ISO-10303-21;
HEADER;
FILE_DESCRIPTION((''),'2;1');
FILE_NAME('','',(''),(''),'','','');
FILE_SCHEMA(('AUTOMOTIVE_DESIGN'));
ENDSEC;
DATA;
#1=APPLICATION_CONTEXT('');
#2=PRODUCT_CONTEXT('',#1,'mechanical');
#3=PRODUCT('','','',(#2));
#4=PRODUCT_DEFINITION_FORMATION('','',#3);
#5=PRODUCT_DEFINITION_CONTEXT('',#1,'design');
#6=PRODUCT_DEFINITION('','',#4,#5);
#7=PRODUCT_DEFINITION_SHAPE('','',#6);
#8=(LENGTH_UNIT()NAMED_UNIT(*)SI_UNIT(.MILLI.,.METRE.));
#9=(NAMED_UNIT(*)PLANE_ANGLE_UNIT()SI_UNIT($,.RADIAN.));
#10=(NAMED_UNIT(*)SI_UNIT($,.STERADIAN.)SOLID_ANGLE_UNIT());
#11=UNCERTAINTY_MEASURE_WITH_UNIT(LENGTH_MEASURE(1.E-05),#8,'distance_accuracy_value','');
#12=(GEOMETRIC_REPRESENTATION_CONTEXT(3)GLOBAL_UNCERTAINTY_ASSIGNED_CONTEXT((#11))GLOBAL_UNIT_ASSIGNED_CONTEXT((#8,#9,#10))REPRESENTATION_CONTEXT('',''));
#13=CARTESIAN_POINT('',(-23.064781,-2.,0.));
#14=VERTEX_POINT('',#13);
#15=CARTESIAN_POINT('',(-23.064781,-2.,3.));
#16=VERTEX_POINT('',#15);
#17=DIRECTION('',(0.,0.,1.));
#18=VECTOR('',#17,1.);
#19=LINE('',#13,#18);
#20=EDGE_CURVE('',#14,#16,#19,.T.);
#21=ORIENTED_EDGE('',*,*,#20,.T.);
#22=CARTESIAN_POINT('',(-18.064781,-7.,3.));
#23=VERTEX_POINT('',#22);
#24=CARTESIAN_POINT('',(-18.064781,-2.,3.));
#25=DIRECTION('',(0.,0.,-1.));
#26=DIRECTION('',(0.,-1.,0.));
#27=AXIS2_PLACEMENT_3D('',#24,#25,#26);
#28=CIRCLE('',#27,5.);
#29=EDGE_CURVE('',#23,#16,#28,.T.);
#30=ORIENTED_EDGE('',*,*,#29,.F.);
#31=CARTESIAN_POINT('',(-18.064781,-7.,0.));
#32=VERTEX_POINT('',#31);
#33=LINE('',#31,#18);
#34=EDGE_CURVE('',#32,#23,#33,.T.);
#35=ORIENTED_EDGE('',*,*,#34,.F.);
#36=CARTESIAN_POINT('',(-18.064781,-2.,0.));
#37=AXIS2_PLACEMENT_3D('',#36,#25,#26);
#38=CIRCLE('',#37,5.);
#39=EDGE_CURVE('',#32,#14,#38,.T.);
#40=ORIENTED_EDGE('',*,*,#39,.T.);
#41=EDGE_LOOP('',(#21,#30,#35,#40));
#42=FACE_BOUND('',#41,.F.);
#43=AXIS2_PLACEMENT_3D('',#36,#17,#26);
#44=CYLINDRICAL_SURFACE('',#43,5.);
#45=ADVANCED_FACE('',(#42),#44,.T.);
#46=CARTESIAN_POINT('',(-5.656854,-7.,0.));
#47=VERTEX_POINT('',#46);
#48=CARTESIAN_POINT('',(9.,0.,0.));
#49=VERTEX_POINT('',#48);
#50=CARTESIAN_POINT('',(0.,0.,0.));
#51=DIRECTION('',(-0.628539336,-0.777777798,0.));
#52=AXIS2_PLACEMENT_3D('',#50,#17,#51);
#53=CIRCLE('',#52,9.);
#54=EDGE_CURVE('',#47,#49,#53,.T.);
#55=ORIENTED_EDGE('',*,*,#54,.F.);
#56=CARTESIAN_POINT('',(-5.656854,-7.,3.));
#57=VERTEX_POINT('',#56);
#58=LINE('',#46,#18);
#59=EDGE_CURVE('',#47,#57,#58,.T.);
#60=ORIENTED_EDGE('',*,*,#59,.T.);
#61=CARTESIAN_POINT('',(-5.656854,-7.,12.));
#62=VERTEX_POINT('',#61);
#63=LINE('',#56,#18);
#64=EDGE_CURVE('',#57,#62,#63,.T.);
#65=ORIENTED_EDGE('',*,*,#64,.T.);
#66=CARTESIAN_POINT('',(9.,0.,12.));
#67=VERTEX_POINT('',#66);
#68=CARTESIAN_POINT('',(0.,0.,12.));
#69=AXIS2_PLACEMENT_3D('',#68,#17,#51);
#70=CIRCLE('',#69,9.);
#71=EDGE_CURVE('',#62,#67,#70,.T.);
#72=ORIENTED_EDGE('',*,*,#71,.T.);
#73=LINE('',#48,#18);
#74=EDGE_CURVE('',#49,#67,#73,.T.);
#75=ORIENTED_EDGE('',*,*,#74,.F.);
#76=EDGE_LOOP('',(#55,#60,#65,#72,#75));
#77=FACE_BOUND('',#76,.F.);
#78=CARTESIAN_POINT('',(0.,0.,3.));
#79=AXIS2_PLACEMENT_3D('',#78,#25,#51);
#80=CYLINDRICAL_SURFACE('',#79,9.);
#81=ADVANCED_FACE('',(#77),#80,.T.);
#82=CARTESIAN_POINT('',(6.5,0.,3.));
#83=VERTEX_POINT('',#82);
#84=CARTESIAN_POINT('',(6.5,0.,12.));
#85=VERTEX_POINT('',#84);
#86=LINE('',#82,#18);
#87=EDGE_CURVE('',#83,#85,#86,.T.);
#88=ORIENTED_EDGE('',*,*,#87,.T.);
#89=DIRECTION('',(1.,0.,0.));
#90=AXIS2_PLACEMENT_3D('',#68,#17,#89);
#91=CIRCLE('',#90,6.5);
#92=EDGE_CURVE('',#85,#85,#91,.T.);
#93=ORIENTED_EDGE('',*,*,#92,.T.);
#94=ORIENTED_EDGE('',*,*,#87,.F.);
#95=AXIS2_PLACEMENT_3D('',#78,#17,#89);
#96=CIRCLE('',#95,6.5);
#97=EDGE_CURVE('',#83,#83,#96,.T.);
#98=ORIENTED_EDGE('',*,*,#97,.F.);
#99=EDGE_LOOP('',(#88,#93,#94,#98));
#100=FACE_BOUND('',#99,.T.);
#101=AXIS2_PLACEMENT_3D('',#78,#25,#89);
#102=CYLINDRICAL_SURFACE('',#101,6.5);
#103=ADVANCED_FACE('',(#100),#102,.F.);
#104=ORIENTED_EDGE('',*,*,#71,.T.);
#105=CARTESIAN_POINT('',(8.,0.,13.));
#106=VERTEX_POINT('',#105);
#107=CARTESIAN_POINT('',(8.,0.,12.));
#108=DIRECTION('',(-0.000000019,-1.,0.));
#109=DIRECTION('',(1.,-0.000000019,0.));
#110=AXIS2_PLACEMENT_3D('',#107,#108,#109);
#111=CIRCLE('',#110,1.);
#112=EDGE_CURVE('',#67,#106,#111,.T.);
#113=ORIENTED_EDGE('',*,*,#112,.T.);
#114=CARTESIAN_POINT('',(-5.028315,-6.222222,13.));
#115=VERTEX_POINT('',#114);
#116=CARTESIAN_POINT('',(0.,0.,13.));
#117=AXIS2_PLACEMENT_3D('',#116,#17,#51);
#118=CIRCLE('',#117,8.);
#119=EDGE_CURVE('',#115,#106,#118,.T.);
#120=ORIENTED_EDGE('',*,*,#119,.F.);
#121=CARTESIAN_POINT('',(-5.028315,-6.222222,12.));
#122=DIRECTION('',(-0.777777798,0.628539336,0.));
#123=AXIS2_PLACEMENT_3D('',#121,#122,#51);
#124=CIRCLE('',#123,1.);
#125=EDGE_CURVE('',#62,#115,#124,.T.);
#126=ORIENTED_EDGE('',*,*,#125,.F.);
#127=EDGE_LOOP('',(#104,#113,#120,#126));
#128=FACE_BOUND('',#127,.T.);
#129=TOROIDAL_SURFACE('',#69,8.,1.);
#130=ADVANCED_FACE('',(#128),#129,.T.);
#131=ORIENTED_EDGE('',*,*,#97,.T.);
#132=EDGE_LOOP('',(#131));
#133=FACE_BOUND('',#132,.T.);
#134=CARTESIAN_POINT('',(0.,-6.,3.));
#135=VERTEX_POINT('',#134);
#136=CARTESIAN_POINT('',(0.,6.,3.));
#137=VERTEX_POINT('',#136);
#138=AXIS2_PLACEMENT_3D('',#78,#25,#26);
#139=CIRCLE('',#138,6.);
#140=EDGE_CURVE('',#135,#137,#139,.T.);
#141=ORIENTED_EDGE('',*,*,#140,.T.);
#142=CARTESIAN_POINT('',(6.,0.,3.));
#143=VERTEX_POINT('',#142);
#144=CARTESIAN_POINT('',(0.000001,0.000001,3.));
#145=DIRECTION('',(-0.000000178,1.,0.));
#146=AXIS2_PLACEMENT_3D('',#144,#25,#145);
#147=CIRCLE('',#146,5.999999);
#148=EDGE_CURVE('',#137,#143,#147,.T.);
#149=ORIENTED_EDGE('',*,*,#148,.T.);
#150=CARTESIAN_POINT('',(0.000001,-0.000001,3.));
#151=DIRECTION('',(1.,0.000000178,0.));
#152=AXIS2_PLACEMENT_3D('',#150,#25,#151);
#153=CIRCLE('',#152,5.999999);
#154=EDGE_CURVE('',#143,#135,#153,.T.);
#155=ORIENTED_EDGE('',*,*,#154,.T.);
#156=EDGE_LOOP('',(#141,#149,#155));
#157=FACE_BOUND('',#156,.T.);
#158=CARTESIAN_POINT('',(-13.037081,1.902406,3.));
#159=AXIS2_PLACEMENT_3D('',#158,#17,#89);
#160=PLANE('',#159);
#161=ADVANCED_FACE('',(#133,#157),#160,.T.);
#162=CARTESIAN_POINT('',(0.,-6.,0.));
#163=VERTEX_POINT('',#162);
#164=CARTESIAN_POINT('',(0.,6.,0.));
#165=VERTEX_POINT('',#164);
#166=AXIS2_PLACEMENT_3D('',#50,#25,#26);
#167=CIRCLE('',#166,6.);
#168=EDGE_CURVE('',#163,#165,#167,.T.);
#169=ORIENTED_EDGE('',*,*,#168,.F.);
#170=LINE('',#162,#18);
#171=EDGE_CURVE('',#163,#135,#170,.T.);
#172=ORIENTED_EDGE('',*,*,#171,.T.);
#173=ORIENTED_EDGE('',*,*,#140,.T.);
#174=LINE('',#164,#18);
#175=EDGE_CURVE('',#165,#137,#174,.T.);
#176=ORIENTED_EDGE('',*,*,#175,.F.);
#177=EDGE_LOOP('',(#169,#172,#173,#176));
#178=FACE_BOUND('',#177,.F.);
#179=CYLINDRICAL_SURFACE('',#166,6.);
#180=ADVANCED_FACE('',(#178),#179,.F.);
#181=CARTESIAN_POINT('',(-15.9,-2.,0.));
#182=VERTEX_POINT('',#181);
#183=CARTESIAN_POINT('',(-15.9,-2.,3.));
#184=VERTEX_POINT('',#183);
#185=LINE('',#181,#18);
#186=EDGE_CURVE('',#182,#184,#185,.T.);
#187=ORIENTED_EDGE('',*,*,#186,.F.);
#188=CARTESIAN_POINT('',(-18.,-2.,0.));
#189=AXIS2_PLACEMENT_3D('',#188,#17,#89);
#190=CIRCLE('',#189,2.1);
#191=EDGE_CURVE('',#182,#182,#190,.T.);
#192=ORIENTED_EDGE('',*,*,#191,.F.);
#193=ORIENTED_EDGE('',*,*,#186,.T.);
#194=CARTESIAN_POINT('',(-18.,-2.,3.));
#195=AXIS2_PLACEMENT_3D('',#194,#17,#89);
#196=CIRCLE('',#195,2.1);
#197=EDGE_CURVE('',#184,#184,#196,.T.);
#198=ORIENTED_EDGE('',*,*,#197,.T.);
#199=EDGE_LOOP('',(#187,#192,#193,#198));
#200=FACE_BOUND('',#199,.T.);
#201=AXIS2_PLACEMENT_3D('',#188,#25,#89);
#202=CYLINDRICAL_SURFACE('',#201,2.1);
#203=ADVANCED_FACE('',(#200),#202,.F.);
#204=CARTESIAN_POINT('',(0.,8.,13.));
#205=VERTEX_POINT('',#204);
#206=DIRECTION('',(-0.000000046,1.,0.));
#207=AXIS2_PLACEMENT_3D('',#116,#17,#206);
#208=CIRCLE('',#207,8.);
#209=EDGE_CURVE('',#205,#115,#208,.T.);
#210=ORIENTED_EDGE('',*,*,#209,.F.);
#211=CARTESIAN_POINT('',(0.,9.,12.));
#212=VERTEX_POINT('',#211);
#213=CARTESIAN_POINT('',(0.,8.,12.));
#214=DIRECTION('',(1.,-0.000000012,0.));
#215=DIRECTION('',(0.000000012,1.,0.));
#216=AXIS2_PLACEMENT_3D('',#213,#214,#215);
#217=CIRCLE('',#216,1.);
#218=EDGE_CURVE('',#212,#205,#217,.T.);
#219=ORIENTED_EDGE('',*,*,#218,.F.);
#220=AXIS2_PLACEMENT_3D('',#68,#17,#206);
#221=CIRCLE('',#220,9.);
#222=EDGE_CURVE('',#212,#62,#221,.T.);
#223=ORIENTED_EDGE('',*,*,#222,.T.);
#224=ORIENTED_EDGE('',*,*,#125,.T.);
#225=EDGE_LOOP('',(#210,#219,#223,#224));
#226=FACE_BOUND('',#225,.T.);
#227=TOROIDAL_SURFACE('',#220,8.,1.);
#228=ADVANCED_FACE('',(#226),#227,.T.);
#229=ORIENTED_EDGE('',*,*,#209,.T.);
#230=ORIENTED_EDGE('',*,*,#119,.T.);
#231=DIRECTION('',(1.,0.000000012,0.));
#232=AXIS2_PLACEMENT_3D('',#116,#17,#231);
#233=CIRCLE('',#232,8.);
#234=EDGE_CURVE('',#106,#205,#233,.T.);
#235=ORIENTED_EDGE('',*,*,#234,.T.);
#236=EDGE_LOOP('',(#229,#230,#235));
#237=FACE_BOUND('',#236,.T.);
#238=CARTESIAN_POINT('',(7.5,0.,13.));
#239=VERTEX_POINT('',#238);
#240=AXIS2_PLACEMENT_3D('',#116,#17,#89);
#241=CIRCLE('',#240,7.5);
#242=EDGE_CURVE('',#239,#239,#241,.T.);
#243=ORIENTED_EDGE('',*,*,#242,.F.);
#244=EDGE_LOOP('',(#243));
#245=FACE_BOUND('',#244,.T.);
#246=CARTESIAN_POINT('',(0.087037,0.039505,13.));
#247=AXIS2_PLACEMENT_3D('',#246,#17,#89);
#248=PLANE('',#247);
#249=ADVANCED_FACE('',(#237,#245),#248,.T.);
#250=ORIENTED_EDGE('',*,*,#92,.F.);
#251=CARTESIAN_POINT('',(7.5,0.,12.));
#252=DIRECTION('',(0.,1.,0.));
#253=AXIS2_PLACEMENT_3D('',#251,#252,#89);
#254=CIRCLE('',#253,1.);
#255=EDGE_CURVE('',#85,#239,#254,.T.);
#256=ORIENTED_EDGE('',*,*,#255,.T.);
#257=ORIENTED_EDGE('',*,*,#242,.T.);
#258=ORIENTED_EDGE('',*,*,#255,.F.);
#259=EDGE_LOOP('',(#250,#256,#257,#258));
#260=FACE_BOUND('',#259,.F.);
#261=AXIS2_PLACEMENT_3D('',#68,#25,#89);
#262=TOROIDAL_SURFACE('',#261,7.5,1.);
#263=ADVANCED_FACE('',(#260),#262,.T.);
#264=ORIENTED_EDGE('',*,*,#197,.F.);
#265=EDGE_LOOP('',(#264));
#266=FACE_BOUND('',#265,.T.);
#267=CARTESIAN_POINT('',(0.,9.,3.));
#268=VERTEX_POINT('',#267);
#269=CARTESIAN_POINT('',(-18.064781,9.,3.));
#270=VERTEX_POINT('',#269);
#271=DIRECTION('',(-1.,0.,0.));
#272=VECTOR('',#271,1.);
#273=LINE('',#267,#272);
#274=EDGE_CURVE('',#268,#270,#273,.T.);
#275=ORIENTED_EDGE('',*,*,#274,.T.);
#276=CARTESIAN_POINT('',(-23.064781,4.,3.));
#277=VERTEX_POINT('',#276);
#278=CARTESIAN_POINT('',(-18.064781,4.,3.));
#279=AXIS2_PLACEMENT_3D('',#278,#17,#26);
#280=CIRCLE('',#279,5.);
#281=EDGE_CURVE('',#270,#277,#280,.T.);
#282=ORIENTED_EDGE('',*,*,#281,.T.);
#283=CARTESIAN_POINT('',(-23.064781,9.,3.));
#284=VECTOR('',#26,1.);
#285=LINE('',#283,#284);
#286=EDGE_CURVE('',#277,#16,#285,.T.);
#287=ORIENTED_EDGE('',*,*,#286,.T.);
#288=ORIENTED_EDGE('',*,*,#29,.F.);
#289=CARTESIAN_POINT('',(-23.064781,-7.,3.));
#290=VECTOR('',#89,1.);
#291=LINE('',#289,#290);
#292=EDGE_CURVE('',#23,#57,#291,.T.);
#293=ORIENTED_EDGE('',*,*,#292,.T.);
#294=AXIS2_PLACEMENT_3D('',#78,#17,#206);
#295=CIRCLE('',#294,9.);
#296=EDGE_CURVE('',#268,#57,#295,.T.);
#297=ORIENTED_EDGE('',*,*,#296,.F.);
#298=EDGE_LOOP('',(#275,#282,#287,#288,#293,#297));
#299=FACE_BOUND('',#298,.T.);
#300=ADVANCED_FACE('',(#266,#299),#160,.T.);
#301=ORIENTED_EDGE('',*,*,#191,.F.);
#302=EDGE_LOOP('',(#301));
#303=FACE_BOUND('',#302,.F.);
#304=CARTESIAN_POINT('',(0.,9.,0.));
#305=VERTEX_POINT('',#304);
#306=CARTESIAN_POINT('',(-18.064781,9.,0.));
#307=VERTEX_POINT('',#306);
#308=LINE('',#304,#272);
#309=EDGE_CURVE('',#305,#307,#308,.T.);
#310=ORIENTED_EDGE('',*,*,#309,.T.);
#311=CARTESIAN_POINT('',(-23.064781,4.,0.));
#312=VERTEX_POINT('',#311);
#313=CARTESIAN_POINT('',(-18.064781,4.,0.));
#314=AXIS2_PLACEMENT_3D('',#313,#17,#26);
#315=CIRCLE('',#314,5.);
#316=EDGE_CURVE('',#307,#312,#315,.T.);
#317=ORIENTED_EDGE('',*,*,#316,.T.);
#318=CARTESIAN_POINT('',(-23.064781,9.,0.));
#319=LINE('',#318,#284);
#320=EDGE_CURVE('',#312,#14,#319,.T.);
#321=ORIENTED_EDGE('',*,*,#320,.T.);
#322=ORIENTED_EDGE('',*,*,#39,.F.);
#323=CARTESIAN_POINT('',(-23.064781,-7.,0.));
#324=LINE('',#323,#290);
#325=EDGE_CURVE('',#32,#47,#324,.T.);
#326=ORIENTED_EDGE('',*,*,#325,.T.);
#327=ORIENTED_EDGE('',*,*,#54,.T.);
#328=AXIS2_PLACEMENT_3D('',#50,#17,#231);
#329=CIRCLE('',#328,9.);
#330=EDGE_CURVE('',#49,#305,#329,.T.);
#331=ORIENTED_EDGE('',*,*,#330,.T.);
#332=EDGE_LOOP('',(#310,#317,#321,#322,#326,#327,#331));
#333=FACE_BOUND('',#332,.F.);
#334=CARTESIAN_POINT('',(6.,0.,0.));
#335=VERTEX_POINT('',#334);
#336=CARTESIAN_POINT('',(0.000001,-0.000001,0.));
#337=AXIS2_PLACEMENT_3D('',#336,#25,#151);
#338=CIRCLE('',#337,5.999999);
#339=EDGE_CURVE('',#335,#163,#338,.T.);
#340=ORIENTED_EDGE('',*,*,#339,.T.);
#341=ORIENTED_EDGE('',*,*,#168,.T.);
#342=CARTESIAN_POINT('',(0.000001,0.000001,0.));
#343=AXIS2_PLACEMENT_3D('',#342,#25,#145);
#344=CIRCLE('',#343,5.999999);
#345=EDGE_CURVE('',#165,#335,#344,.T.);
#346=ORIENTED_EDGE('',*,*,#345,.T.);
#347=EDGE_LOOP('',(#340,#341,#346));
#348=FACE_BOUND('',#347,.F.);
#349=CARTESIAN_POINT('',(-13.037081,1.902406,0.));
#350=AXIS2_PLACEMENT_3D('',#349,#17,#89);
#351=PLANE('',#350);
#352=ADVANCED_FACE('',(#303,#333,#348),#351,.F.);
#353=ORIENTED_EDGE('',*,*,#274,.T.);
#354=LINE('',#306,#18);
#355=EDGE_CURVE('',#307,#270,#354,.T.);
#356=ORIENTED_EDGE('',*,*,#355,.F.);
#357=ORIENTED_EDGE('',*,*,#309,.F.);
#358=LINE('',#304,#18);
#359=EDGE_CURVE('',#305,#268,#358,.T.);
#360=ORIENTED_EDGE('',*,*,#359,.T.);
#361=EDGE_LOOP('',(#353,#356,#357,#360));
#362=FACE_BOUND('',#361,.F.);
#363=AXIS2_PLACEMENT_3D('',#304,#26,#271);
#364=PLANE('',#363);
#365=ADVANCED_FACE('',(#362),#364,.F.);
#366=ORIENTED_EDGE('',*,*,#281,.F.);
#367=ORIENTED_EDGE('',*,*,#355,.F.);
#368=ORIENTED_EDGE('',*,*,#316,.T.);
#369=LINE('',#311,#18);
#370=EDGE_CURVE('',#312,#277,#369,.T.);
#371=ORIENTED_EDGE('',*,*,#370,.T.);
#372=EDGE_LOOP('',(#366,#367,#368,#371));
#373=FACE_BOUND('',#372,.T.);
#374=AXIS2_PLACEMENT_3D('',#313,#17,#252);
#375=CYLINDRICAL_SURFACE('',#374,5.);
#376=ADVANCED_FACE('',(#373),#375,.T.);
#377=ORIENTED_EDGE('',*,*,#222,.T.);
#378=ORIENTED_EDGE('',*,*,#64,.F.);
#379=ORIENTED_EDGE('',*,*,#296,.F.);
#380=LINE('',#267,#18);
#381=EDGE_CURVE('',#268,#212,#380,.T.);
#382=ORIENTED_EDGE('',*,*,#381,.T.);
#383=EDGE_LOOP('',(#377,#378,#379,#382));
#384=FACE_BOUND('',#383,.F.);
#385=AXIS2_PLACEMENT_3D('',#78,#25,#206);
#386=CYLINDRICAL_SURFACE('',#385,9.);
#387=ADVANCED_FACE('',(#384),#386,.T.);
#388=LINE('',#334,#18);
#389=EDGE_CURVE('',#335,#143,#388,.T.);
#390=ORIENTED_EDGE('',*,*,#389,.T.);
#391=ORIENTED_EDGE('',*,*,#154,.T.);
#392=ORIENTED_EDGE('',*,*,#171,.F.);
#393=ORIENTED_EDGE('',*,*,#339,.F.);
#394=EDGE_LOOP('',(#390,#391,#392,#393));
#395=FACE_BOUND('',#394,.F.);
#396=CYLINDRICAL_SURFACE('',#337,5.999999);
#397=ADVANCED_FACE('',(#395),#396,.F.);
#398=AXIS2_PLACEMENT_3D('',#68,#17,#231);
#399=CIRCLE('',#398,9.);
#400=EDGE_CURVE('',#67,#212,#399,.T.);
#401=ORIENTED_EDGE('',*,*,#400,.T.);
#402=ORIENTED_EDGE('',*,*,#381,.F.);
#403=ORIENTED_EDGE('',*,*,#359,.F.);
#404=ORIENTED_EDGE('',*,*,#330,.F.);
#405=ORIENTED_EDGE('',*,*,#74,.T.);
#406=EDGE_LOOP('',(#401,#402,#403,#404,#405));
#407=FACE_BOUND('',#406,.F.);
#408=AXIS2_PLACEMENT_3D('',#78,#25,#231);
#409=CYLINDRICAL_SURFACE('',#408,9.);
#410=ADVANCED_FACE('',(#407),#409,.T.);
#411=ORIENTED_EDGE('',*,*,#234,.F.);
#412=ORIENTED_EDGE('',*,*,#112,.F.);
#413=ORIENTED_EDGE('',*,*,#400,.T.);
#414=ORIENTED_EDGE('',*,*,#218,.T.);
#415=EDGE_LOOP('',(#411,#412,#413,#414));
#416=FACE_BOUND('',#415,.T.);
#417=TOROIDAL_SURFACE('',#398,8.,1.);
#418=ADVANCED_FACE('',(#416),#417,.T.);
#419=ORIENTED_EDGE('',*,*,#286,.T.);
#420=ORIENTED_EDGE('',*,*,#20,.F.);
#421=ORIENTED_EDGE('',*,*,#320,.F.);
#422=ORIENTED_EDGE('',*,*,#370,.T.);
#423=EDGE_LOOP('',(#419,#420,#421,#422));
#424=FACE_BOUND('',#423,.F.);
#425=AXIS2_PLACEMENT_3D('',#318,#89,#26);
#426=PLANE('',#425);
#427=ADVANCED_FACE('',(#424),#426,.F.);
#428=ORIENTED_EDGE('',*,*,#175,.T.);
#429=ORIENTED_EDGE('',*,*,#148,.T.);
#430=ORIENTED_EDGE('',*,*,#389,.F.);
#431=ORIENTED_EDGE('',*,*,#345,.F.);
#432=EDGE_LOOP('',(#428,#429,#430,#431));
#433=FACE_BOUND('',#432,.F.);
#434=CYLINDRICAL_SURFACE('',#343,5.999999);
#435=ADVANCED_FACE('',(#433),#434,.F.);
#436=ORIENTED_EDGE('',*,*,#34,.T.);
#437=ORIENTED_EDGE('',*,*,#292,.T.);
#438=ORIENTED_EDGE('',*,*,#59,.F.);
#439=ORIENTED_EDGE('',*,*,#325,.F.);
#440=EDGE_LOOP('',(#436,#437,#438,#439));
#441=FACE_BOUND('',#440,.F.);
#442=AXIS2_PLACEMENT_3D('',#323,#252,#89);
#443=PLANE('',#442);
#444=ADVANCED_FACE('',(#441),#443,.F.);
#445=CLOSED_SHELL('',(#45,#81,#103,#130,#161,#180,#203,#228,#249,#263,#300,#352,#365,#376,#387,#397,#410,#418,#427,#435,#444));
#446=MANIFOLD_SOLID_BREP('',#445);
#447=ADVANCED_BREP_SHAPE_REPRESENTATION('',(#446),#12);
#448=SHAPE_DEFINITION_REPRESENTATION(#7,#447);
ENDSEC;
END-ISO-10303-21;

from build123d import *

# Parameters (mm, degrees)
F0_R     = 2.1
F1_DEPTH = 3
F2_R     = 5
F3_R     = 6.5
F4_DEPTH = 10
F5_R     = 1


with BuildPart() as f1:
    # F0 (on Top) → F1 (new body)
    with BuildSketch(Plane.XY):
        with BuildLine():
            ThreePointArc((-5.656854, -7), (-8.485281, 3), (0, 9))
            Line((0, 9), (-23.064781, 9))
            Line((-23.064781, 9), (-23.064781, -7))
            Line((-23.064781, -7), (-5.656854, -7))
        make_face()
        with Locations((-18, -2)):
            Circle(F0_R, mode=Mode.SUBTRACT)
        with BuildLine():
            ThreePointArc((0, -6), (-6, 0), (0, 6))
            Line((0, 6), (0, 9))
            ThreePointArc((0, 9), (-8.485281, 3), (-5.656854, -7))
            Line((-5.656854, -7), (0, -7))
            Line((0, -7), (0, -6))
        make_face()
        with BuildLine():
            ThreePointArc((0, 6), (4.242641, 4.242641), (6, 0))
            ThreePointArc((6, 0), (4.242641, -4.242641), (0, -6))
            Line((0, -6), (0, -7))
            Line((0, -7), (-5.656854, -7))
            ThreePointArc((-5.656854, -7), (3.87868, -8.12132), (9, 0))
            ThreePointArc((9, 0), (6.363961, 6.363961), (0, 9))
            Line((0, 9), (0, 6))
        make_face()
    extrude(amount=F1_DEPTH)

    # F2
    f2_edges = [f1.edges().sort_by_distance(p)[0] for p in [
        (-23.064781, 9, 1.5),
        (-23.064781, -7, 1.5),
    ]]
    fillet(f2_edges, radius=F2_R)

    # F3 (on face) → F4 (join)
    with BuildSketch(Plane.XY.offset(3)):
        with BuildLine():
            ThreePointArc((-5.656854, -7), (3.87868, -8.12132), (9, 0))
            ThreePointArc((9, 0), (6.363961, 6.363961), (0, 9))
            ThreePointArc((0, 9), (-8.485281, 3), (-5.656854, -7))
        make_face()
        Circle(F3_R, mode=Mode.SUBTRACT)
    extrude(amount=F4_DEPTH)

    # F5
    f5_edges = [f1.edges().sort_by_distance(p)[0] for p in [
        (0, -9, 13),
        (-6.5, 0, 13),
    ]]
    fillet(f5_edges, radius=F5_R)


solid = f1.part
